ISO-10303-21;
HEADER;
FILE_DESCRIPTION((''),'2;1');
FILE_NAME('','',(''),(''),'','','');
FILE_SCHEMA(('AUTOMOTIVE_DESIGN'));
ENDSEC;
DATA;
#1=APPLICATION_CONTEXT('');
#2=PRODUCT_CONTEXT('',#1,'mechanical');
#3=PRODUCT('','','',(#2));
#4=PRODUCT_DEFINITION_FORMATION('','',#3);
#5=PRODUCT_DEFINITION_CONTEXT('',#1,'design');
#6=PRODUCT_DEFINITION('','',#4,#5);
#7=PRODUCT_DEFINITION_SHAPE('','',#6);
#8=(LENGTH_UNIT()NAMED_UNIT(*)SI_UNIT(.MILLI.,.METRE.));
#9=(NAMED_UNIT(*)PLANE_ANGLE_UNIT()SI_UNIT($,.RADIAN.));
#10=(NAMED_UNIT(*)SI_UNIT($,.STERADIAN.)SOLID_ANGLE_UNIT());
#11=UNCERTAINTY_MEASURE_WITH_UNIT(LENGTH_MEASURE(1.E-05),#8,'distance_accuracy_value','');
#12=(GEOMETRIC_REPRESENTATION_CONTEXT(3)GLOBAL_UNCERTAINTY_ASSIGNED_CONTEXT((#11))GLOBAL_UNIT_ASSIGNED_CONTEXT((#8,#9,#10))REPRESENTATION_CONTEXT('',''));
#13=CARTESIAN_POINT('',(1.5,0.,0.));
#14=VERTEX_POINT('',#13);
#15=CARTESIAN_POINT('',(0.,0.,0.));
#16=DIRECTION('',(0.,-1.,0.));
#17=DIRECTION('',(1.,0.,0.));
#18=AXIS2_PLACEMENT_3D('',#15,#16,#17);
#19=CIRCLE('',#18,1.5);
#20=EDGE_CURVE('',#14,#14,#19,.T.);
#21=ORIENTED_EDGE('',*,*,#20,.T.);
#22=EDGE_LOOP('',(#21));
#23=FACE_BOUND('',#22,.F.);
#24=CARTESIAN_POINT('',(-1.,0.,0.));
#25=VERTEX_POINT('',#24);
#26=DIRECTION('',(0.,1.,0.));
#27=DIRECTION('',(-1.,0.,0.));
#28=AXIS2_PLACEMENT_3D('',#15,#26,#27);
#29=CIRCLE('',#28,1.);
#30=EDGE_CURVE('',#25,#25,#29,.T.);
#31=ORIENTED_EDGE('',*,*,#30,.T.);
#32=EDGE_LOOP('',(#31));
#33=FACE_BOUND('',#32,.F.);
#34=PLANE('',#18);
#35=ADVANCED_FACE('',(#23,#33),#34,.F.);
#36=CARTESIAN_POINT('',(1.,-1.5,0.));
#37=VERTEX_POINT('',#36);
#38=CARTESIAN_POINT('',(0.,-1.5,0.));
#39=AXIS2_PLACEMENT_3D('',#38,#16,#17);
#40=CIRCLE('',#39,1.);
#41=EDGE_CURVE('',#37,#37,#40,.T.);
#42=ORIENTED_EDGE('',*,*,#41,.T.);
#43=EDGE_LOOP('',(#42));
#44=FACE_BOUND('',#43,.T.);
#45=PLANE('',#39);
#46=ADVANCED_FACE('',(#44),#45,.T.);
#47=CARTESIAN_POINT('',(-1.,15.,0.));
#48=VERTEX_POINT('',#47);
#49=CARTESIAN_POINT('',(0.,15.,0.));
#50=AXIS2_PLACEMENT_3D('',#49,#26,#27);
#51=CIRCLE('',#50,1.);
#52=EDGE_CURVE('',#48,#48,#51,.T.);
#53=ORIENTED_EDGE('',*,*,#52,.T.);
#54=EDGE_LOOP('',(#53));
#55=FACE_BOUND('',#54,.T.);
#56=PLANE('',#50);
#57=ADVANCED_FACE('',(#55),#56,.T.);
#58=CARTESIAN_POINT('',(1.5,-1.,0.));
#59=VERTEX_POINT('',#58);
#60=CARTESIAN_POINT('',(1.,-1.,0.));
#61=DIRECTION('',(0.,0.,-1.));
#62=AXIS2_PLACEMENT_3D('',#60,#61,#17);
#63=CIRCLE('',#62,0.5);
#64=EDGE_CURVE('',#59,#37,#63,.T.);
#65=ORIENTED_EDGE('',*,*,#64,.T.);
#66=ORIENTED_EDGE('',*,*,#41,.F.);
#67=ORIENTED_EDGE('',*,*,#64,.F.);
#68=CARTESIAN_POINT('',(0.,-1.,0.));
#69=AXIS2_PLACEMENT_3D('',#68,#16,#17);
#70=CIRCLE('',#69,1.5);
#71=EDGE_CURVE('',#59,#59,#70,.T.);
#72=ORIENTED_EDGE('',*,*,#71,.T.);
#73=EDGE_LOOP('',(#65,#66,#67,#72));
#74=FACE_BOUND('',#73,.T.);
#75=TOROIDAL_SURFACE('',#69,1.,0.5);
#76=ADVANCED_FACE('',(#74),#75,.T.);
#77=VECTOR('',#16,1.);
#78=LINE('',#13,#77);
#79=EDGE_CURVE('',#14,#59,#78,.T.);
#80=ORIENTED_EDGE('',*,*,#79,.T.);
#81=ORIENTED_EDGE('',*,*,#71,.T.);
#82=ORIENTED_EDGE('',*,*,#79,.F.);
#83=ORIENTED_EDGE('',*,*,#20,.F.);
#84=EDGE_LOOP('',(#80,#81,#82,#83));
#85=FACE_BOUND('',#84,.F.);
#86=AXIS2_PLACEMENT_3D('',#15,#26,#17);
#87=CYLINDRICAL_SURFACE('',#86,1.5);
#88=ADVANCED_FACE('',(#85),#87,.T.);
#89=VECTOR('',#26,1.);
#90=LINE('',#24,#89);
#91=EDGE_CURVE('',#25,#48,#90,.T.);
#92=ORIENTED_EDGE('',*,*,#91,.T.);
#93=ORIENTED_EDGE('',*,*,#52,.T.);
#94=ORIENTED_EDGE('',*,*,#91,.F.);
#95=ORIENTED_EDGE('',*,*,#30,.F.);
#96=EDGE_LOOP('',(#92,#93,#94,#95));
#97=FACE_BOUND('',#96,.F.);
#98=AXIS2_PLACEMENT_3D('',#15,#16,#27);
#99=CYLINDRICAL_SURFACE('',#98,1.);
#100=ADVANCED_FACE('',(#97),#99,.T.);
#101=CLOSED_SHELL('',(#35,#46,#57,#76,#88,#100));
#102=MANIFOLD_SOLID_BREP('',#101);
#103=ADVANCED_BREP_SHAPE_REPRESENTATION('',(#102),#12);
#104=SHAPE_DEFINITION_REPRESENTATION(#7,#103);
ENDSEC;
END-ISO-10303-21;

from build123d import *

# Parameters (mm, degrees)
F0_R     = 1.5
F1_DEPTH = 1.5
F2_R     = 0.5
F3_R     = 1
F4_DEPTH = 15


with BuildPart() as f1:
    # F0 (on Front) → F1 (new body)
    with BuildSketch(Plane.XZ):
        Circle(F0_R)
    extrude(amount=F1_DEPTH)

    # F2
    f2_edges = [f1.edges().sort_by_distance(p)[0] for p in [
        (-1.5, -1.5, 0),
    ]]
    fillet(f2_edges, radius=F2_R)

    # F3 (on face) → F4 (join)
    with BuildSketch(Plane(origin=(0, 0, 0), x_dir=(-1, 0, 0), z_dir=(0, 1, 0))):
        Circle(F3_R)
    extrude(amount=F4_DEPTH)


solid = f1.part
